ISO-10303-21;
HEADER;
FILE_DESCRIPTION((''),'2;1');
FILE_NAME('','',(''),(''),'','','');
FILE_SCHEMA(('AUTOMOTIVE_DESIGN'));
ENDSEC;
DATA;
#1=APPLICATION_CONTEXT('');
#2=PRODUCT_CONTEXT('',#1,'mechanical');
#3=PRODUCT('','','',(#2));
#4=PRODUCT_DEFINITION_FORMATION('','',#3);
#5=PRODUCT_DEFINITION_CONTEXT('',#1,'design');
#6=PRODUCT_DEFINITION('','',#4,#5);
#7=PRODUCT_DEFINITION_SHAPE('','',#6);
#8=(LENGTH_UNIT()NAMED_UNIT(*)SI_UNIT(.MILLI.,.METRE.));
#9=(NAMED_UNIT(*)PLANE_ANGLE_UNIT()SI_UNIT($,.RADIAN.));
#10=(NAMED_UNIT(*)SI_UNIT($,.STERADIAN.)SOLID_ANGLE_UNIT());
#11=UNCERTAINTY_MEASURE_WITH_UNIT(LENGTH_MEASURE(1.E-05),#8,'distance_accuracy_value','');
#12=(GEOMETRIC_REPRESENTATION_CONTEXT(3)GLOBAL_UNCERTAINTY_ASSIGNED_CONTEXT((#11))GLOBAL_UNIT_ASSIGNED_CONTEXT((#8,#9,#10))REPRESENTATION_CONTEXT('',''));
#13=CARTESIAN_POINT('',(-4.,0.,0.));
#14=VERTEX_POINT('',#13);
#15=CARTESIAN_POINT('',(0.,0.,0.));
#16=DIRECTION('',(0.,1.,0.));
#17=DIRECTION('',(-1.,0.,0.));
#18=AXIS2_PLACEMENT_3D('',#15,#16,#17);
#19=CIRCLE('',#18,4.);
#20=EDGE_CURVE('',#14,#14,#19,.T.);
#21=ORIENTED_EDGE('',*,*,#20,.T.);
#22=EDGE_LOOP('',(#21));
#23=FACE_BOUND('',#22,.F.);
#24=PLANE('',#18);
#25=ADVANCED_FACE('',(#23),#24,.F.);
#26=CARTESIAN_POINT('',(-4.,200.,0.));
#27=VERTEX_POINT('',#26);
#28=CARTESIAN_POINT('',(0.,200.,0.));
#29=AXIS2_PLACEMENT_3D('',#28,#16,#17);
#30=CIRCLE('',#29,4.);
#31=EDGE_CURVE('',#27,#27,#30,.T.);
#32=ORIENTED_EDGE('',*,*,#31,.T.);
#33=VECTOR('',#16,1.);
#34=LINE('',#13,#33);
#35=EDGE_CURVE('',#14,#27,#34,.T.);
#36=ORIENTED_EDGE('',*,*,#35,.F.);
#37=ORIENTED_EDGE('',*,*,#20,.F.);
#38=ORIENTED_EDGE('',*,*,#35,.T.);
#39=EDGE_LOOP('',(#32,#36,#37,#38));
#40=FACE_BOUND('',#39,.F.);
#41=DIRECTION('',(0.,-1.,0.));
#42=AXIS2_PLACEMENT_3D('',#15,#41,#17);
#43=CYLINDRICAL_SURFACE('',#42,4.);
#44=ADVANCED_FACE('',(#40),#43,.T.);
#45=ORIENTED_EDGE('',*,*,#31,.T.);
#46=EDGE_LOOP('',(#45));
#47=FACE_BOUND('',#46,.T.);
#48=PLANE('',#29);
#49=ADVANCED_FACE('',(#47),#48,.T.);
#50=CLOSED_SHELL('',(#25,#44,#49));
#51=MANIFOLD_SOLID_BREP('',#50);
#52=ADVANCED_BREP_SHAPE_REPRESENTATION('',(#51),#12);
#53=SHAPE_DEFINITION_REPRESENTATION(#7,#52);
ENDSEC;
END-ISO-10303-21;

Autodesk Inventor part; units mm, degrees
ref_plane "YZ Plane" through (0, 0, 0) normal (1, 0, 0) x (0, 1, 0)
ref_plane "XZ Plane" through (0, 0, 0) normal (0, 1, 0) x (-1, 0, 0)
ref_plane "XY Plane" through (0, 0, 0) normal (0, 0, 1) x (1, 0, 0)
sketch "Sketch1" plane through (0, 0, 0) normal (0, 1, 0) x (-1, 0, 0)
  circle A0 centre (0, 0) radius 4
  dimension "d0" = 8
extrude "Extrusion1" add sketch "Sketch1" along normal blind 200
equation "\"d0\" = shaftDiameter"
equation "\"d1\" = shaftLength"
equation "\"gap\" = 0.1"
equation "\"airgap\" = 0.4"
equation "\"wallgap\" = 2"
equation "\"driveMagnet_height\" = 5"
equation "\"halbachMagnet_height\" = 3"
equation "\"rotorBandBolt_diameter\" = 2"
equation "\"rotorBandBolt_headDiameter\" = 3.98"
equation "\"rotorBandBolt_headHeight\" = 2"
equation "\"rotorBandHexNut_sideToSide\" = 4"
equation "\"rotorBandHexNut_height\" = 1.2"
equation "\"rotorBandSquareNut_sideLength\" = 4"
equation "\"rotorBandSquareNut_height\" = 1.2"
equation "\"sensorMagnet_diameter\" = 5"
equation "\"sensorMagnet_height\" = 2.66667"
equation "\"rotorRadius\" = 2 * gap + driveMagnet_centerSpacingRadius + driveMagnet_length + wallgap"
equation "\"rotor_mountingLipHeight\" = 0.5 * statorThickness"
equation "\"shaftDiameter\" = 8"
equation "\"flangeBearing_innerDiameter\" = shaftDiameter"
equation "\"flangeBearing_outerDiameter\" = 16"
equation "\"flangeBearing_flangeDiameter\" = 18"
equation "\"flangeBearing_height\" = 5"
equation "\"flangeBearing_flangeHeight\" = 1"
equation "\"statorThickness\" = coilThickness + 2 * wallgap"
equation "\"rotorBandThickness\" = wallgap + rotorBandBolt_headHeight + gap"
equation "\"shaftLength\" = 200"
equation "\"flangeCoupling_collarOuterDiameter\" = 16"
equation "\"flangeCoupling_flangeHoleEdgeToEdge\" = 2.05"
equation "\"flangeCoupling_innerDiameter\" = shaftDiameter"
equation "\"flangeCoupling_flangeHoleDiameter\" = 3.9"
equation "\"flangeCoupling_flangeHeight\" = 3.1"
equation "\"flangeCoupling_flangeDiameter\" = 32"
equation "\"flangeCoupling_height\" = flangeCoupling_collarHeight + flangeCoupling_flangeHeight"
equation "\"flangeCoupling_mountHoleDiameter\" = 3.9"
equation "\"flangeCoupling_mountHoleEdgeToEdge\" = 2.05"
equation "\"statorRadius\" = driveMagnet_length + driveMagnet_centerSpacingRadius + 2 * gap"
equation "\"coilThickness\" = 12"
equation "\"statorMountBolt_diameter\" = 4"
equation "\"statorMountBolt_headDiameter\" = 7"
equation "\"statorMountBolt_headHeight\" = 4"
equation "\"statorMountBolt_shaftLength\" = coilThickness + flangeCoupling_flangeHeight + wallgap"
equation "\"statorMountHexNut_height\" = 4"
equation "\"statorMountHexNut_sideToSide\" = 8"
equation "\"sensorMagnet_ringRadius\" = 0.5 * driveMagnet_centerSpacingRadius + 2 * wallgap"
equation "\"coil_percentCoverage\" = 0.6"
equation "\"statorSpokeDegrees\" = 4deg"
equation "\"coil_bulge\" = 3"
equation "\"statorCoilBolt_shaftLength\" = coilThickness"
equation "\"statorCoilHexNut_height\" = 1.2"
equation "\"statorCoilBolt_headHeight\" = 2"
equation "\"statorCoilBolt_diameter\" = 2"
equation "\"statorCoilBolt_headDiameter\" = 3.98"
equation "\"statorCoilHexNut_sideToSide\" = 4"
equation "\"driveMagnet_centerSpacingRadius\" = 38.96113"
equation "\"driveMagnet_length\" = 60"
equation "\"flangeCoupling_collarHeight\" = 10"
properties part number "Shaft" material "Iron, Cast"
